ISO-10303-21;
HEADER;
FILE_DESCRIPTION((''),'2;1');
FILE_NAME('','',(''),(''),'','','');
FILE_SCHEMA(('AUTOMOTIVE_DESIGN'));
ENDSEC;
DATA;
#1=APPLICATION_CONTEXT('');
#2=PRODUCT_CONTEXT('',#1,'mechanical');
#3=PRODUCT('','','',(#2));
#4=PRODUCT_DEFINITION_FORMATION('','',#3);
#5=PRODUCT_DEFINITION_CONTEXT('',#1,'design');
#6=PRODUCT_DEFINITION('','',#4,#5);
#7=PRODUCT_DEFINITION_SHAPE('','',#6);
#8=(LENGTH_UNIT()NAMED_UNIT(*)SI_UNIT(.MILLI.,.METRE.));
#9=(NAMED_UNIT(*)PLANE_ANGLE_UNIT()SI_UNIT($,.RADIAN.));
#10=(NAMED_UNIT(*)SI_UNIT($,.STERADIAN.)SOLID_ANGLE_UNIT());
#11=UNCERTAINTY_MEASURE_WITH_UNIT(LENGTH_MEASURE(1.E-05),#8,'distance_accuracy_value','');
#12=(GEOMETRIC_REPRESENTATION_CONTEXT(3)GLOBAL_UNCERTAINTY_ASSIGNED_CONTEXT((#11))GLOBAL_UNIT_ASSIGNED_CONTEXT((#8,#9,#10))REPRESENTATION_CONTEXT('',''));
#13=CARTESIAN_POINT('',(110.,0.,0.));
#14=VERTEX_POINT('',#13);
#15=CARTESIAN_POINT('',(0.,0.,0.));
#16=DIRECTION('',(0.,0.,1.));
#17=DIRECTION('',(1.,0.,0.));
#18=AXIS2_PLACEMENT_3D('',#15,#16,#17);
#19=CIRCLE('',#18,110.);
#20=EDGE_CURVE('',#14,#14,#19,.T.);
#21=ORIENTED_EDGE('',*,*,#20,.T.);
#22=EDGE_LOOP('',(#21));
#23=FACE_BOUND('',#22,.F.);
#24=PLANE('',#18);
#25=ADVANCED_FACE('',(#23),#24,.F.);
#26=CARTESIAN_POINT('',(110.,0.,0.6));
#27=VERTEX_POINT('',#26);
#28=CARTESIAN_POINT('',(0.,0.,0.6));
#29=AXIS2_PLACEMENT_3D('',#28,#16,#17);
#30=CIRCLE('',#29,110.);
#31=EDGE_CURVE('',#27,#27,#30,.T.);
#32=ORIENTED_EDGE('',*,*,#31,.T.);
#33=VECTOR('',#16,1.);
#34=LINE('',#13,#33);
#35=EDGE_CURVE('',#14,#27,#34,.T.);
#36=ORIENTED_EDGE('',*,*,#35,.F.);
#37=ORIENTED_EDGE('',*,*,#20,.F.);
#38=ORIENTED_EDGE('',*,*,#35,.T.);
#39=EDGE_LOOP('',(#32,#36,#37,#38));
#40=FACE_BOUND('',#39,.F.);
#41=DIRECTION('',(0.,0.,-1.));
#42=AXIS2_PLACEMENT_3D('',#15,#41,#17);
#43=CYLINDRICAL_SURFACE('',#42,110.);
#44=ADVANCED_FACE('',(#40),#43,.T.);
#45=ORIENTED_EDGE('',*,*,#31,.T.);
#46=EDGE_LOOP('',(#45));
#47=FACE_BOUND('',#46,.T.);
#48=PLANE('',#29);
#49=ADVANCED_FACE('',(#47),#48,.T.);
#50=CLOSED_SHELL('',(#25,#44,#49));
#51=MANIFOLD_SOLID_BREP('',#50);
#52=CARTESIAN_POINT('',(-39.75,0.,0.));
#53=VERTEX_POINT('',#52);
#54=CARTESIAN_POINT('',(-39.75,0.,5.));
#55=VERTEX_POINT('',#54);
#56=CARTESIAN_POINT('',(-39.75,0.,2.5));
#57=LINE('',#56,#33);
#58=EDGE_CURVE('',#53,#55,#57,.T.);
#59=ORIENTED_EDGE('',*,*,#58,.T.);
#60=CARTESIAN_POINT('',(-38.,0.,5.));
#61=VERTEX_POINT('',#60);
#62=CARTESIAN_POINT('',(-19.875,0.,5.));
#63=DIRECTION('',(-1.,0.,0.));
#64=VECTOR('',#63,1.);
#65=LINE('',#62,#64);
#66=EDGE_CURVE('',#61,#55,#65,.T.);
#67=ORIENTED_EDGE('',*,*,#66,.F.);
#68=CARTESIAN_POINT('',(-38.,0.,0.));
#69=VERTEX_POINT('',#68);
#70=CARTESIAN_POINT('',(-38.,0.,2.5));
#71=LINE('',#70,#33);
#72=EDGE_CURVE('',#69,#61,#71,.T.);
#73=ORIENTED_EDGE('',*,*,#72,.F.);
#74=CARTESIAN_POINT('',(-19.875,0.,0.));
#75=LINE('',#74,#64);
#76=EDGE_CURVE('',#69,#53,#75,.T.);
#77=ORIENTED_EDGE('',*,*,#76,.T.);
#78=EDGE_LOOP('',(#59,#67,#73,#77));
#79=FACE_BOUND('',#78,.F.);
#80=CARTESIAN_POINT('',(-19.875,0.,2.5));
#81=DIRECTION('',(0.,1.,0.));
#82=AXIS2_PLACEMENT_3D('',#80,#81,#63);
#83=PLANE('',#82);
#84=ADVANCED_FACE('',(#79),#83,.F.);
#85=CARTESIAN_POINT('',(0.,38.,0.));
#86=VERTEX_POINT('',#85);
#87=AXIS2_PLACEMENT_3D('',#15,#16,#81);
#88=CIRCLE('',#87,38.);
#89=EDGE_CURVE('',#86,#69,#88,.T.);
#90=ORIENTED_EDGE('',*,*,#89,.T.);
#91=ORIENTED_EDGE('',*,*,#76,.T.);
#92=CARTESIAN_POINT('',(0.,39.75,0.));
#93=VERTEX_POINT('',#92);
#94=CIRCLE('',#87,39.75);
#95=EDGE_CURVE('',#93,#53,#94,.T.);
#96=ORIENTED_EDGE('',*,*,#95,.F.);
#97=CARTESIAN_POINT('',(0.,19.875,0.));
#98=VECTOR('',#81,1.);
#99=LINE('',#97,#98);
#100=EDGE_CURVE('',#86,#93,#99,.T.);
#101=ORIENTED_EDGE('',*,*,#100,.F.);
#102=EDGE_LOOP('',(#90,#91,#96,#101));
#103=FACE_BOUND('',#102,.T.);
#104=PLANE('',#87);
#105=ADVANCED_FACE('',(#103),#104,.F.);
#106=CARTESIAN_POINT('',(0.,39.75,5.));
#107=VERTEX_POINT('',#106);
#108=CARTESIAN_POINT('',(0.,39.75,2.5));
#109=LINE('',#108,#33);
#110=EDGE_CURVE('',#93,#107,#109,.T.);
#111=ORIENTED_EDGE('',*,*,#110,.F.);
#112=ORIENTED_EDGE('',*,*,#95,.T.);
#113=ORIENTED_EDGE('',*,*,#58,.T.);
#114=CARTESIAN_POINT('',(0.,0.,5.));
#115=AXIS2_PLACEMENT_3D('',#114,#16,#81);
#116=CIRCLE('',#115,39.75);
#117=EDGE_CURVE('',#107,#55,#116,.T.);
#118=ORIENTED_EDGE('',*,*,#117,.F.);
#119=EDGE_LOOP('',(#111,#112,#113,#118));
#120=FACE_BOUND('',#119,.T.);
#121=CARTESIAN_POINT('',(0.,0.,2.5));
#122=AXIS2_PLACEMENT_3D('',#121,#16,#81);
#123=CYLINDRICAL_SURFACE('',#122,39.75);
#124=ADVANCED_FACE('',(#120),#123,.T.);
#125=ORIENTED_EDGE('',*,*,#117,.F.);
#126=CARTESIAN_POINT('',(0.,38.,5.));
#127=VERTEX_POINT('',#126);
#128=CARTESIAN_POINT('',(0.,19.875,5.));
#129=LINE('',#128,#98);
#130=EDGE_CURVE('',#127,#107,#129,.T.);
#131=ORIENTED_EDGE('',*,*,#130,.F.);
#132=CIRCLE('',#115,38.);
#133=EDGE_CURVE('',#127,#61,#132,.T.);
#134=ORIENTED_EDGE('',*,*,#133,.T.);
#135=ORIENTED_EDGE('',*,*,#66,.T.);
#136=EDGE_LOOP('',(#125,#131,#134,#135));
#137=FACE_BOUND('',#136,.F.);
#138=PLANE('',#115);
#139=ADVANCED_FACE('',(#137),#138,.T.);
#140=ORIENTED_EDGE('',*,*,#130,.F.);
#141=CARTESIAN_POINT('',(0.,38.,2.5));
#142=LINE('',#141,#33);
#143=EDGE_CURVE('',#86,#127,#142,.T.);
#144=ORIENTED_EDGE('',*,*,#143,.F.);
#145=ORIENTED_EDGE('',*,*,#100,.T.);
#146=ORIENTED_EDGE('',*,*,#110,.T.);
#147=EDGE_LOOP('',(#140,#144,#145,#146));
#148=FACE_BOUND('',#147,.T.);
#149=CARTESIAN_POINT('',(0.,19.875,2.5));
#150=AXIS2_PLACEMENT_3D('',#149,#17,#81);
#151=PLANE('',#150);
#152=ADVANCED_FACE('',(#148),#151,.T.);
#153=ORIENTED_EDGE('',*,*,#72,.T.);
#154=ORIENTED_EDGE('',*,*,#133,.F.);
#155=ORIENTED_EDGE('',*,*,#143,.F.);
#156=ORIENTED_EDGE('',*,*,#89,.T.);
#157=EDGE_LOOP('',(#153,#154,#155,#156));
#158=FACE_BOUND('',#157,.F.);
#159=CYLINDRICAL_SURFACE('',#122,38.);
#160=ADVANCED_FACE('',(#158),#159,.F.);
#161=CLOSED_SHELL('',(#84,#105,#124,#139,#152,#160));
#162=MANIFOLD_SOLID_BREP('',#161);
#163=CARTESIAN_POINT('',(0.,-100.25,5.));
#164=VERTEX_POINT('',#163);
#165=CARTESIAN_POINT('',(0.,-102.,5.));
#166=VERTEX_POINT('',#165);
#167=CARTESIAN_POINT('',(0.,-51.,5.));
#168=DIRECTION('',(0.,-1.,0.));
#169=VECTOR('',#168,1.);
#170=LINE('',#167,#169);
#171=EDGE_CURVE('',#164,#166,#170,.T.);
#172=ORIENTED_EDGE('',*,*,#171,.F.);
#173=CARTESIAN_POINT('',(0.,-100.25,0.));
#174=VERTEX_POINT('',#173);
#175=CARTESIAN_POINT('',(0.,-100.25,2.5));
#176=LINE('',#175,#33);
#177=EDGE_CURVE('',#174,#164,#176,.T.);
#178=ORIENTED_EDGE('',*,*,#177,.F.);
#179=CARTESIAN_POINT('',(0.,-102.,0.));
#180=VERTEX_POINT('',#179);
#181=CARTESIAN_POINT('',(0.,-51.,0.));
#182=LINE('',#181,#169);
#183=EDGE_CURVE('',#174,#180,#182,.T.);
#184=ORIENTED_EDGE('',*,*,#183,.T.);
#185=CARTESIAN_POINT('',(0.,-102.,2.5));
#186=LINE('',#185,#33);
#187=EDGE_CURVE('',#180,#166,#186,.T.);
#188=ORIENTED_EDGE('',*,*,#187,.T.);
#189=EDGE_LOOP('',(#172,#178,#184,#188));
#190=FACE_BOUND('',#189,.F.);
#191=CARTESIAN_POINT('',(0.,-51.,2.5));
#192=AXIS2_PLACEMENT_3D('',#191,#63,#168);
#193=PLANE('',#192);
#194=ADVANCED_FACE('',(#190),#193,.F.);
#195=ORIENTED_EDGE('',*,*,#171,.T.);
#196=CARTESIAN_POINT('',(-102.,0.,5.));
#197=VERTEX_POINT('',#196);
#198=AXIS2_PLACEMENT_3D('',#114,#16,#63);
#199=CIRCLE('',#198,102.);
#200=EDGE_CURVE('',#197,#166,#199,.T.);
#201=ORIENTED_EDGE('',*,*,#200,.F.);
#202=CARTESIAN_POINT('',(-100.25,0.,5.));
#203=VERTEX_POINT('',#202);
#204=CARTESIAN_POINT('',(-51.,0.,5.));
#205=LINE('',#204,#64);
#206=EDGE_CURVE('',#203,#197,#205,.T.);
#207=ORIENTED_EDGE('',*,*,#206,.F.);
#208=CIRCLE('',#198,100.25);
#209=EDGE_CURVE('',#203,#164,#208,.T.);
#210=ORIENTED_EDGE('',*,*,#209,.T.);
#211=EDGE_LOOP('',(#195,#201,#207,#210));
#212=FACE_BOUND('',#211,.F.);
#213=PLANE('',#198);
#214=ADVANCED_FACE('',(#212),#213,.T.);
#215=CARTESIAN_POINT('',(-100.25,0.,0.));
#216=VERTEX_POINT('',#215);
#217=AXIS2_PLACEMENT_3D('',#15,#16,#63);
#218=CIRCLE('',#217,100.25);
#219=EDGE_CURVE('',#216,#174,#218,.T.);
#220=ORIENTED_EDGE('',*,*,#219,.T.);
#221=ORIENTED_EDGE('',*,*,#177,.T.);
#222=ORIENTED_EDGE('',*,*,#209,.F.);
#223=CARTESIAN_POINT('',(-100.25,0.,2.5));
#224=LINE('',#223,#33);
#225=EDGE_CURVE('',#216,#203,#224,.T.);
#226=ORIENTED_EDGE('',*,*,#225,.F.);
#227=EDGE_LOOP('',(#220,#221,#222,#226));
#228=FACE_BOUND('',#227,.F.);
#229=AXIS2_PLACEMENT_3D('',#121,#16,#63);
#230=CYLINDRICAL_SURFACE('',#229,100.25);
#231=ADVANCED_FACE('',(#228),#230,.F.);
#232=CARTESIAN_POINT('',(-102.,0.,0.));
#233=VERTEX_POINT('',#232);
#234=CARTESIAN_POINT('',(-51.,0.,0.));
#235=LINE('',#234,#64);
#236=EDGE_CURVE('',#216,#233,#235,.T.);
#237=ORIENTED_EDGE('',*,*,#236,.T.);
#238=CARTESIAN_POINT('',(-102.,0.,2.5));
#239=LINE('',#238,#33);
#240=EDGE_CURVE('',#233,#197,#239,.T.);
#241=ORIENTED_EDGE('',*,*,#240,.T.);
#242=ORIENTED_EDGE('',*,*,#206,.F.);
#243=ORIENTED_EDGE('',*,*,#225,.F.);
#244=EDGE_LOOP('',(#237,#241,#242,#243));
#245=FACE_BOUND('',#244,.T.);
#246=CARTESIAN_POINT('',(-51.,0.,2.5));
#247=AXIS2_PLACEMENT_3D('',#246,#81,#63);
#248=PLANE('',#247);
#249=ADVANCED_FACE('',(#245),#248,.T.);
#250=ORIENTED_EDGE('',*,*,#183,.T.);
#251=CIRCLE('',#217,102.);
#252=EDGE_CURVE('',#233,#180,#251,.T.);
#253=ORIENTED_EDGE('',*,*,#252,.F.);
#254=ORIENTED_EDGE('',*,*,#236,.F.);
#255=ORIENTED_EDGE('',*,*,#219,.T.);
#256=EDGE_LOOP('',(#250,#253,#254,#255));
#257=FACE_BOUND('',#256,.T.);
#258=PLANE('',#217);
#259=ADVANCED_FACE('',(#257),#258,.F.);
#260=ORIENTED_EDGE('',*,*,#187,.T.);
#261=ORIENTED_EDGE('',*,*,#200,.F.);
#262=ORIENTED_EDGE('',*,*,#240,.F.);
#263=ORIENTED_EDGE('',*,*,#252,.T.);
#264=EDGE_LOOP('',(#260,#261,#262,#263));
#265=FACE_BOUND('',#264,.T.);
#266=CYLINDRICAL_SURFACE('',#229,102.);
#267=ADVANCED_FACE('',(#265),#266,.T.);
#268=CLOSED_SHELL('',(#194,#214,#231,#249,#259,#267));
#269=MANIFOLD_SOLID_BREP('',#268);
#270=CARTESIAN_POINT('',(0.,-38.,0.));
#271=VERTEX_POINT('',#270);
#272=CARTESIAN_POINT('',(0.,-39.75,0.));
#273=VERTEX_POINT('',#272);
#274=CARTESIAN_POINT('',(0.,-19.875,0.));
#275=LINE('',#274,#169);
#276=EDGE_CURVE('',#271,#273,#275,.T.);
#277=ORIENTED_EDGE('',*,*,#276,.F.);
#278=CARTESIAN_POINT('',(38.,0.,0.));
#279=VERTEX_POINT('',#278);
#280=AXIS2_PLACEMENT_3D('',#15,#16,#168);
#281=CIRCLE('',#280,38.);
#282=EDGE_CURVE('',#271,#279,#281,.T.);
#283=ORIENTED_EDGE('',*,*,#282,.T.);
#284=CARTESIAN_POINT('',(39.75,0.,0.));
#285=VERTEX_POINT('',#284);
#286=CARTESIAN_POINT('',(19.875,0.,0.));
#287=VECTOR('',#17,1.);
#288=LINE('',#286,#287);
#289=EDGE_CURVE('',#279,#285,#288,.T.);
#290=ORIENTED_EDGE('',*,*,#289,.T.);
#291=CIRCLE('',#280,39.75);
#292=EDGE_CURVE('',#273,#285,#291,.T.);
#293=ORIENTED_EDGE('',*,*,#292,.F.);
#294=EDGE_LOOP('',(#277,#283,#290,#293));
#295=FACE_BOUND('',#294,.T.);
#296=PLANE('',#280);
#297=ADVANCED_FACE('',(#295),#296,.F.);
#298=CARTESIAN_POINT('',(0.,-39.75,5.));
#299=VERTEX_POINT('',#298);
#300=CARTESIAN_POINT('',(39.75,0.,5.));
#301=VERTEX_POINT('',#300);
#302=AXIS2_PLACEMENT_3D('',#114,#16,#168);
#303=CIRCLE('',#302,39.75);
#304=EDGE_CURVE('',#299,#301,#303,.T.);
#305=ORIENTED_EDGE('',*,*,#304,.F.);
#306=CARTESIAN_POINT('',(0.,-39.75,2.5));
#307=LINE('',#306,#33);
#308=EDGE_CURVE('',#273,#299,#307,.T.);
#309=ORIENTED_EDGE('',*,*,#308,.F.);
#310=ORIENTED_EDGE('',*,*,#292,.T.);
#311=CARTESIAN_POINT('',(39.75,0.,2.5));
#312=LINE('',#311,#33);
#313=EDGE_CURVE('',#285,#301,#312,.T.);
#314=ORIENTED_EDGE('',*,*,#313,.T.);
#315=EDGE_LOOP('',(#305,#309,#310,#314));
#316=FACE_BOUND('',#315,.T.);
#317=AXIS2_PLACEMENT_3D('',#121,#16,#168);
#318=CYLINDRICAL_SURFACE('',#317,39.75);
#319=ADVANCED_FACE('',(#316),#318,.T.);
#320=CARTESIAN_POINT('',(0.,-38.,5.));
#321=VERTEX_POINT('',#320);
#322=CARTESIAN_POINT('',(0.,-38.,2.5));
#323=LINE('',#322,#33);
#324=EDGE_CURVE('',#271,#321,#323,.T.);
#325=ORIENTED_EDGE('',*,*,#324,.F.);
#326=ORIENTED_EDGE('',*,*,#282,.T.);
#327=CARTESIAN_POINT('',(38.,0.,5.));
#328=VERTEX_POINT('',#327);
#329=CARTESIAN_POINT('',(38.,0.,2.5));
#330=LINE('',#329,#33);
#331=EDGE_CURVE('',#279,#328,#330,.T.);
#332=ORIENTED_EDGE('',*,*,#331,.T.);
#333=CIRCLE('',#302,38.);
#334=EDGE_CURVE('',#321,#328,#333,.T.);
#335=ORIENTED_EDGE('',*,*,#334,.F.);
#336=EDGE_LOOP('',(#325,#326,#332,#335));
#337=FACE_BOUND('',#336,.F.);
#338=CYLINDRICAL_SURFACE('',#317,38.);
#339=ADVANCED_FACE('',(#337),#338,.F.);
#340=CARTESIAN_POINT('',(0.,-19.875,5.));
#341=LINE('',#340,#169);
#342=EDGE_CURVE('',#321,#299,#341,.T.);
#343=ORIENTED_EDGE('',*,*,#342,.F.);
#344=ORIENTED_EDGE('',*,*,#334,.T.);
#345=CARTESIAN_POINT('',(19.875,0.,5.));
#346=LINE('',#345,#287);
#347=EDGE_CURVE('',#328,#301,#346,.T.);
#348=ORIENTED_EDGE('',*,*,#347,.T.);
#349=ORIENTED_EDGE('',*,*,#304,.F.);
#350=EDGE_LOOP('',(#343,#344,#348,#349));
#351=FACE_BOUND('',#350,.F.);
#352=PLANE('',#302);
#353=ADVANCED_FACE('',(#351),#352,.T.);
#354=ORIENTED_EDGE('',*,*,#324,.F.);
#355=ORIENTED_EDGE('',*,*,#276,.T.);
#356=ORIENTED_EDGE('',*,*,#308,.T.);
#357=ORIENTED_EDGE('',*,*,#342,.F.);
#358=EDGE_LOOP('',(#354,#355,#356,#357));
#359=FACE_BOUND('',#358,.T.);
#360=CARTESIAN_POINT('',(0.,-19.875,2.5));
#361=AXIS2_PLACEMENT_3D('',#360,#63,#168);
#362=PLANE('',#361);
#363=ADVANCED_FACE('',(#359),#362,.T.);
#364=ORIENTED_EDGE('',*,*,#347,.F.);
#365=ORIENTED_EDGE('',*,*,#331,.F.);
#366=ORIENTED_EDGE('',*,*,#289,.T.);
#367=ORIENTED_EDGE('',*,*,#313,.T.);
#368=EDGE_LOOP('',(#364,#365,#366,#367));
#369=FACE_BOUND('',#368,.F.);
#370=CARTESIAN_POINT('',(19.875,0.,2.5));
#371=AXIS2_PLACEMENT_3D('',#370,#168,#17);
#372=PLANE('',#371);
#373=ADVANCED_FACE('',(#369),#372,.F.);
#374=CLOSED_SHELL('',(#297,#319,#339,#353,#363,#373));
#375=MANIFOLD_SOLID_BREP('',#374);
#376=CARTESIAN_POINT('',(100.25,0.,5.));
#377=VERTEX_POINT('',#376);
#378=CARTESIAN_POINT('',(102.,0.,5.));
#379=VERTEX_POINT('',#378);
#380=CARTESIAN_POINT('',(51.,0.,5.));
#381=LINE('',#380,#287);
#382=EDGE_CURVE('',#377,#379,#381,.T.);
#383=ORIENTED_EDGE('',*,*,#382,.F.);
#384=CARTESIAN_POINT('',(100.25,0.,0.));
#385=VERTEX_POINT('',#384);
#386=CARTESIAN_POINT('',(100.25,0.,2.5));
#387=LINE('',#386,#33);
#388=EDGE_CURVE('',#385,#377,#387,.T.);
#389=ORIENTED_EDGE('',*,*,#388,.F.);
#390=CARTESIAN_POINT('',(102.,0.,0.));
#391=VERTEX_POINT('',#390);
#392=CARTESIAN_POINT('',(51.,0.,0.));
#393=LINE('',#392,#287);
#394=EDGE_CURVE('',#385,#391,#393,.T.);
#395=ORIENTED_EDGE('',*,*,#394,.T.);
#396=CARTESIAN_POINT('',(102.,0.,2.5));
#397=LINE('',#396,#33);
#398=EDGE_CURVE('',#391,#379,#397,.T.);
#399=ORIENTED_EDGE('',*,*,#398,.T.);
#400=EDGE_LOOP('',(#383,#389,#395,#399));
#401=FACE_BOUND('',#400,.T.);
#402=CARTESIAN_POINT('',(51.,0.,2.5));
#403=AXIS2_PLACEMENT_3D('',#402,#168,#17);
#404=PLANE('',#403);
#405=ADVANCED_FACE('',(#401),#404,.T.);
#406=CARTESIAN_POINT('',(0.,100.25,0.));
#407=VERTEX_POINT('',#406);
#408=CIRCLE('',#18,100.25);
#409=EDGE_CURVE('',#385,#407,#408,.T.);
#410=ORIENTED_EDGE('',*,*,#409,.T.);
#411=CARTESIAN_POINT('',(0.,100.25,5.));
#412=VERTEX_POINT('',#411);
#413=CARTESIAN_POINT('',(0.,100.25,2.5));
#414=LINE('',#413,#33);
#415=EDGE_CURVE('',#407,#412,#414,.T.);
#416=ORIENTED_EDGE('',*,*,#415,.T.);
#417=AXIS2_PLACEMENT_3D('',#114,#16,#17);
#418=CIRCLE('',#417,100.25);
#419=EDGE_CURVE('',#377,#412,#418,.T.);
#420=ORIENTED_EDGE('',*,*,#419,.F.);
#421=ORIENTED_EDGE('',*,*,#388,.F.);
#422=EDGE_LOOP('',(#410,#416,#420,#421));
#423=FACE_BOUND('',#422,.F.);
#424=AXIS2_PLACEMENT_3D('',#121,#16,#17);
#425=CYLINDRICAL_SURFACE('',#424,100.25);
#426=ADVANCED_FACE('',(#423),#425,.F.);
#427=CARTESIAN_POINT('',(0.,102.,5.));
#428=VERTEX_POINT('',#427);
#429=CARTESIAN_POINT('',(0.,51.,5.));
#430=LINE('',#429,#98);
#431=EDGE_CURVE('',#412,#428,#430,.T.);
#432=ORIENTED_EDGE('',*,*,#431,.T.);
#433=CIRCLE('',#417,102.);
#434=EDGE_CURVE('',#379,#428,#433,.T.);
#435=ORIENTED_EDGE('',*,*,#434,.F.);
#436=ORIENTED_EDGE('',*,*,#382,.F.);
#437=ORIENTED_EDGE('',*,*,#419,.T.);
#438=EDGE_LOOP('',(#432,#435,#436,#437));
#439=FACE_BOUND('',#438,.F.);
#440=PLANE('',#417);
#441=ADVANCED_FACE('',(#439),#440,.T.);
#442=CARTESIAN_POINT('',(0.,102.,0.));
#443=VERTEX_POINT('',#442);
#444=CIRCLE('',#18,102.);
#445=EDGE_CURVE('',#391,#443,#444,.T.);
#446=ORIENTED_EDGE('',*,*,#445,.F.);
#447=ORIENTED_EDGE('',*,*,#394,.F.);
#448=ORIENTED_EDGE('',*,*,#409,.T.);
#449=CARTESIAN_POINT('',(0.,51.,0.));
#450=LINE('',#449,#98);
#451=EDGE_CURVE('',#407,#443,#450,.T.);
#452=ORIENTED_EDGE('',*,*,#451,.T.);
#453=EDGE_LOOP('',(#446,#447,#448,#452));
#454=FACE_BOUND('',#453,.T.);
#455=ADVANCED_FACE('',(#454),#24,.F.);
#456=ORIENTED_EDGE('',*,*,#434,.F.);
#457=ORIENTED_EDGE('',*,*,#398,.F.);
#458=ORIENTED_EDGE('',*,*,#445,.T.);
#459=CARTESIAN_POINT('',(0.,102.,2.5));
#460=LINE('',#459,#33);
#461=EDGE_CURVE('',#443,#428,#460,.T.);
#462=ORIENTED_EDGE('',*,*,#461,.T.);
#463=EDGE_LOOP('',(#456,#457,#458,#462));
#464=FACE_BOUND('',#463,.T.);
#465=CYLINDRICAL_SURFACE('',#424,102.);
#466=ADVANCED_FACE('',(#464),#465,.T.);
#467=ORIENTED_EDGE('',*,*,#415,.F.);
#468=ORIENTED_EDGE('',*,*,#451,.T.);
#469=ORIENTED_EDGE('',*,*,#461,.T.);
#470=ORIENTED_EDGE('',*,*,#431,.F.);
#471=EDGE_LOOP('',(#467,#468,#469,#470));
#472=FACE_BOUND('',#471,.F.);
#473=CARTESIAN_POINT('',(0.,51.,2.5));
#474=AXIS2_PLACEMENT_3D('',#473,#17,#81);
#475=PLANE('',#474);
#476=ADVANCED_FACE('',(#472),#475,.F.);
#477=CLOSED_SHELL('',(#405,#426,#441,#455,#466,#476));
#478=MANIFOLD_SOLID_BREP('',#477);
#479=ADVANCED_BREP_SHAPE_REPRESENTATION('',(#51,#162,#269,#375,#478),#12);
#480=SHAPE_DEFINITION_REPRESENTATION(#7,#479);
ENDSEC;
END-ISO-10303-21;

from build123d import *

# Parameters (mm, degrees)
CYLINDER_R             = 110
CYLINDER_DEPTH         = 0.6
CYLINDER002_W          = 100.25
CYLINDER002_H          = 5
CYLINDER002_ANGLE      = 90
CYLINDER001_W          = 102
CYLINDER001_H          = 5
CYLINDER001_ANGLE      = 90
CYLINDER012_W          = 38
CYLINDER012_H          = 5
CYLINDER012_ANGLE      = 90
CYLINDER013_W          = 39.75
CYLINDER013_H          = 5
CYLINDER013_ANGLE      = 90
CUT007_PLACEMENT_ANGLE = 90
CYLINDER015_W          = 100.25
CYLINDER015_H          = 5
CYLINDER015_ANGLE      = 90
CYLINDER014_W          = 102
CYLINDER014_H          = 5
CYLINDER014_ANGLE      = 90
CUT008_PLACEMENT_ANGLE = 180
CYLINDER016_W          = 38
CYLINDER016_H          = 5
CYLINDER016_ANGLE      = 90
CYLINDER017_W          = 39.75
CYLINDER017_H          = 5
CYLINDER017_ANGLE      = 90
CUT009_PLACEMENT_ANGLE = 270


with BuildPart() as cilindro:
    # Cylinder → Cylinder (new body)
    with BuildSketch(Plane.XY):
        Circle(CYLINDER_R)
    extrude(amount=CYLINDER_DEPTH)


with BuildPart() as cilindro002:
    # Cylinder002 → Cylinder002 (revolve)
    with BuildSketch(Plane.XZ):
        with Locations((50.125, 2.5)):
            Rectangle(CYLINDER002_W, CYLINDER002_H)
    revolve(axis=Axis((0, 0, 0), (0, 0, 1)), revolution_arc=CYLINDER002_ANGLE)


with BuildPart() as cut:
    # Cylinder001 → Cylinder001 (revolve)
    with BuildSketch(Plane.XZ):
        with Locations((51, 2.5)):
            Rectangle(CYLINDER001_W, CYLINDER001_H)
    revolve(axis=Axis((0, 0, 0), (0, 0, 1)), revolution_arc=CYLINDER001_ANGLE)

    # Cut: cut Cilindro002
    add(cilindro002.part, mode=Mode.SUBTRACT)


with BuildPart() as cilindro012:
    # Cylinder012 → Cylinder012 (revolve)
    with BuildSketch(Plane.XZ):
        with Locations((19, 2.5)):
            Rectangle(CYLINDER012_W, CYLINDER012_H)
    revolve(axis=Axis((0, 0, 0), (0, 0, 1)), revolution_arc=CYLINDER012_ANGLE)


with BuildPart() as cut007:
    # Cylinder013 → Cylinder013 (revolve)
    with BuildSketch(Plane.XZ):
        with Locations((19.875, 2.5)):
            Rectangle(CYLINDER013_W, CYLINDER013_H)
    revolve(axis=Axis((0, 0, 0), (0, 0, 1)), revolution_arc=CYLINDER013_ANGLE)

    # Cut007: cut Cilindro012
    add(cilindro012.part, mode=Mode.SUBTRACT)


with BuildPart() as cut007_1:
    # Cut007 placement: moved
    add(cut007.part.rotate(Axis((0, 0, 0), (0, 0, 1)), CUT007_PLACEMENT_ANGLE))


with BuildPart() as cilindro015:
    # Cylinder015 → Cylinder015 (revolve)
    with BuildSketch(Plane.XZ):
        with Locations((50.125, 2.5)):
            Rectangle(CYLINDER015_W, CYLINDER015_H)
    revolve(axis=Axis((0, 0, 0), (0, 0, 1)), revolution_arc=CYLINDER015_ANGLE)


with BuildPart() as cut008:
    # Cylinder014 → Cylinder014 (revolve)
    with BuildSketch(Plane.XZ):
        with Locations((51, 2.5)):
            Rectangle(CYLINDER014_W, CYLINDER014_H)
    revolve(axis=Axis((0, 0, 0), (0, 0, 1)), revolution_arc=CYLINDER014_ANGLE)

    # Cut008: cut Cilindro015
    add(cilindro015.part, mode=Mode.SUBTRACT)


with BuildPart() as cut008_1:
    # Cut008 placement: moved
    add(cut008.part.rotate(Axis((0, 0, 0), (0, 0, 1)), CUT008_PLACEMENT_ANGLE))


with BuildPart() as cilindro016:
    # Cylinder016 → Cylinder016 (revolve)
    with BuildSketch(Plane.XZ):
        with Locations((19, 2.5)):
            Rectangle(CYLINDER016_W, CYLINDER016_H)
    revolve(axis=Axis((0, 0, 0), (0, 0, 1)), revolution_arc=CYLINDER016_ANGLE)


with BuildPart() as cut009:
    # Cylinder017 → Cylinder017 (revolve)
    with BuildSketch(Plane.XZ):
        with Locations((19.875, 2.5)):
            Rectangle(CYLINDER017_W, CYLINDER017_H)
    revolve(axis=Axis((0, 0, 0), (0, 0, 1)), revolution_arc=CYLINDER017_ANGLE)

    # Cut009: cut Cilindro016
    add(cilindro016.part, mode=Mode.SUBTRACT)


with BuildPart() as cut009_1:
    # Cut009 placement: moved
    add(cut009.part.rotate(Axis((0, 0, 0), (0, 0, 1)), CUT009_PLACEMENT_ANGLE))


solid = Compound([cilindro.part, cut.part, cut007_1.part, cut008_1.part, cut009_1.part])
